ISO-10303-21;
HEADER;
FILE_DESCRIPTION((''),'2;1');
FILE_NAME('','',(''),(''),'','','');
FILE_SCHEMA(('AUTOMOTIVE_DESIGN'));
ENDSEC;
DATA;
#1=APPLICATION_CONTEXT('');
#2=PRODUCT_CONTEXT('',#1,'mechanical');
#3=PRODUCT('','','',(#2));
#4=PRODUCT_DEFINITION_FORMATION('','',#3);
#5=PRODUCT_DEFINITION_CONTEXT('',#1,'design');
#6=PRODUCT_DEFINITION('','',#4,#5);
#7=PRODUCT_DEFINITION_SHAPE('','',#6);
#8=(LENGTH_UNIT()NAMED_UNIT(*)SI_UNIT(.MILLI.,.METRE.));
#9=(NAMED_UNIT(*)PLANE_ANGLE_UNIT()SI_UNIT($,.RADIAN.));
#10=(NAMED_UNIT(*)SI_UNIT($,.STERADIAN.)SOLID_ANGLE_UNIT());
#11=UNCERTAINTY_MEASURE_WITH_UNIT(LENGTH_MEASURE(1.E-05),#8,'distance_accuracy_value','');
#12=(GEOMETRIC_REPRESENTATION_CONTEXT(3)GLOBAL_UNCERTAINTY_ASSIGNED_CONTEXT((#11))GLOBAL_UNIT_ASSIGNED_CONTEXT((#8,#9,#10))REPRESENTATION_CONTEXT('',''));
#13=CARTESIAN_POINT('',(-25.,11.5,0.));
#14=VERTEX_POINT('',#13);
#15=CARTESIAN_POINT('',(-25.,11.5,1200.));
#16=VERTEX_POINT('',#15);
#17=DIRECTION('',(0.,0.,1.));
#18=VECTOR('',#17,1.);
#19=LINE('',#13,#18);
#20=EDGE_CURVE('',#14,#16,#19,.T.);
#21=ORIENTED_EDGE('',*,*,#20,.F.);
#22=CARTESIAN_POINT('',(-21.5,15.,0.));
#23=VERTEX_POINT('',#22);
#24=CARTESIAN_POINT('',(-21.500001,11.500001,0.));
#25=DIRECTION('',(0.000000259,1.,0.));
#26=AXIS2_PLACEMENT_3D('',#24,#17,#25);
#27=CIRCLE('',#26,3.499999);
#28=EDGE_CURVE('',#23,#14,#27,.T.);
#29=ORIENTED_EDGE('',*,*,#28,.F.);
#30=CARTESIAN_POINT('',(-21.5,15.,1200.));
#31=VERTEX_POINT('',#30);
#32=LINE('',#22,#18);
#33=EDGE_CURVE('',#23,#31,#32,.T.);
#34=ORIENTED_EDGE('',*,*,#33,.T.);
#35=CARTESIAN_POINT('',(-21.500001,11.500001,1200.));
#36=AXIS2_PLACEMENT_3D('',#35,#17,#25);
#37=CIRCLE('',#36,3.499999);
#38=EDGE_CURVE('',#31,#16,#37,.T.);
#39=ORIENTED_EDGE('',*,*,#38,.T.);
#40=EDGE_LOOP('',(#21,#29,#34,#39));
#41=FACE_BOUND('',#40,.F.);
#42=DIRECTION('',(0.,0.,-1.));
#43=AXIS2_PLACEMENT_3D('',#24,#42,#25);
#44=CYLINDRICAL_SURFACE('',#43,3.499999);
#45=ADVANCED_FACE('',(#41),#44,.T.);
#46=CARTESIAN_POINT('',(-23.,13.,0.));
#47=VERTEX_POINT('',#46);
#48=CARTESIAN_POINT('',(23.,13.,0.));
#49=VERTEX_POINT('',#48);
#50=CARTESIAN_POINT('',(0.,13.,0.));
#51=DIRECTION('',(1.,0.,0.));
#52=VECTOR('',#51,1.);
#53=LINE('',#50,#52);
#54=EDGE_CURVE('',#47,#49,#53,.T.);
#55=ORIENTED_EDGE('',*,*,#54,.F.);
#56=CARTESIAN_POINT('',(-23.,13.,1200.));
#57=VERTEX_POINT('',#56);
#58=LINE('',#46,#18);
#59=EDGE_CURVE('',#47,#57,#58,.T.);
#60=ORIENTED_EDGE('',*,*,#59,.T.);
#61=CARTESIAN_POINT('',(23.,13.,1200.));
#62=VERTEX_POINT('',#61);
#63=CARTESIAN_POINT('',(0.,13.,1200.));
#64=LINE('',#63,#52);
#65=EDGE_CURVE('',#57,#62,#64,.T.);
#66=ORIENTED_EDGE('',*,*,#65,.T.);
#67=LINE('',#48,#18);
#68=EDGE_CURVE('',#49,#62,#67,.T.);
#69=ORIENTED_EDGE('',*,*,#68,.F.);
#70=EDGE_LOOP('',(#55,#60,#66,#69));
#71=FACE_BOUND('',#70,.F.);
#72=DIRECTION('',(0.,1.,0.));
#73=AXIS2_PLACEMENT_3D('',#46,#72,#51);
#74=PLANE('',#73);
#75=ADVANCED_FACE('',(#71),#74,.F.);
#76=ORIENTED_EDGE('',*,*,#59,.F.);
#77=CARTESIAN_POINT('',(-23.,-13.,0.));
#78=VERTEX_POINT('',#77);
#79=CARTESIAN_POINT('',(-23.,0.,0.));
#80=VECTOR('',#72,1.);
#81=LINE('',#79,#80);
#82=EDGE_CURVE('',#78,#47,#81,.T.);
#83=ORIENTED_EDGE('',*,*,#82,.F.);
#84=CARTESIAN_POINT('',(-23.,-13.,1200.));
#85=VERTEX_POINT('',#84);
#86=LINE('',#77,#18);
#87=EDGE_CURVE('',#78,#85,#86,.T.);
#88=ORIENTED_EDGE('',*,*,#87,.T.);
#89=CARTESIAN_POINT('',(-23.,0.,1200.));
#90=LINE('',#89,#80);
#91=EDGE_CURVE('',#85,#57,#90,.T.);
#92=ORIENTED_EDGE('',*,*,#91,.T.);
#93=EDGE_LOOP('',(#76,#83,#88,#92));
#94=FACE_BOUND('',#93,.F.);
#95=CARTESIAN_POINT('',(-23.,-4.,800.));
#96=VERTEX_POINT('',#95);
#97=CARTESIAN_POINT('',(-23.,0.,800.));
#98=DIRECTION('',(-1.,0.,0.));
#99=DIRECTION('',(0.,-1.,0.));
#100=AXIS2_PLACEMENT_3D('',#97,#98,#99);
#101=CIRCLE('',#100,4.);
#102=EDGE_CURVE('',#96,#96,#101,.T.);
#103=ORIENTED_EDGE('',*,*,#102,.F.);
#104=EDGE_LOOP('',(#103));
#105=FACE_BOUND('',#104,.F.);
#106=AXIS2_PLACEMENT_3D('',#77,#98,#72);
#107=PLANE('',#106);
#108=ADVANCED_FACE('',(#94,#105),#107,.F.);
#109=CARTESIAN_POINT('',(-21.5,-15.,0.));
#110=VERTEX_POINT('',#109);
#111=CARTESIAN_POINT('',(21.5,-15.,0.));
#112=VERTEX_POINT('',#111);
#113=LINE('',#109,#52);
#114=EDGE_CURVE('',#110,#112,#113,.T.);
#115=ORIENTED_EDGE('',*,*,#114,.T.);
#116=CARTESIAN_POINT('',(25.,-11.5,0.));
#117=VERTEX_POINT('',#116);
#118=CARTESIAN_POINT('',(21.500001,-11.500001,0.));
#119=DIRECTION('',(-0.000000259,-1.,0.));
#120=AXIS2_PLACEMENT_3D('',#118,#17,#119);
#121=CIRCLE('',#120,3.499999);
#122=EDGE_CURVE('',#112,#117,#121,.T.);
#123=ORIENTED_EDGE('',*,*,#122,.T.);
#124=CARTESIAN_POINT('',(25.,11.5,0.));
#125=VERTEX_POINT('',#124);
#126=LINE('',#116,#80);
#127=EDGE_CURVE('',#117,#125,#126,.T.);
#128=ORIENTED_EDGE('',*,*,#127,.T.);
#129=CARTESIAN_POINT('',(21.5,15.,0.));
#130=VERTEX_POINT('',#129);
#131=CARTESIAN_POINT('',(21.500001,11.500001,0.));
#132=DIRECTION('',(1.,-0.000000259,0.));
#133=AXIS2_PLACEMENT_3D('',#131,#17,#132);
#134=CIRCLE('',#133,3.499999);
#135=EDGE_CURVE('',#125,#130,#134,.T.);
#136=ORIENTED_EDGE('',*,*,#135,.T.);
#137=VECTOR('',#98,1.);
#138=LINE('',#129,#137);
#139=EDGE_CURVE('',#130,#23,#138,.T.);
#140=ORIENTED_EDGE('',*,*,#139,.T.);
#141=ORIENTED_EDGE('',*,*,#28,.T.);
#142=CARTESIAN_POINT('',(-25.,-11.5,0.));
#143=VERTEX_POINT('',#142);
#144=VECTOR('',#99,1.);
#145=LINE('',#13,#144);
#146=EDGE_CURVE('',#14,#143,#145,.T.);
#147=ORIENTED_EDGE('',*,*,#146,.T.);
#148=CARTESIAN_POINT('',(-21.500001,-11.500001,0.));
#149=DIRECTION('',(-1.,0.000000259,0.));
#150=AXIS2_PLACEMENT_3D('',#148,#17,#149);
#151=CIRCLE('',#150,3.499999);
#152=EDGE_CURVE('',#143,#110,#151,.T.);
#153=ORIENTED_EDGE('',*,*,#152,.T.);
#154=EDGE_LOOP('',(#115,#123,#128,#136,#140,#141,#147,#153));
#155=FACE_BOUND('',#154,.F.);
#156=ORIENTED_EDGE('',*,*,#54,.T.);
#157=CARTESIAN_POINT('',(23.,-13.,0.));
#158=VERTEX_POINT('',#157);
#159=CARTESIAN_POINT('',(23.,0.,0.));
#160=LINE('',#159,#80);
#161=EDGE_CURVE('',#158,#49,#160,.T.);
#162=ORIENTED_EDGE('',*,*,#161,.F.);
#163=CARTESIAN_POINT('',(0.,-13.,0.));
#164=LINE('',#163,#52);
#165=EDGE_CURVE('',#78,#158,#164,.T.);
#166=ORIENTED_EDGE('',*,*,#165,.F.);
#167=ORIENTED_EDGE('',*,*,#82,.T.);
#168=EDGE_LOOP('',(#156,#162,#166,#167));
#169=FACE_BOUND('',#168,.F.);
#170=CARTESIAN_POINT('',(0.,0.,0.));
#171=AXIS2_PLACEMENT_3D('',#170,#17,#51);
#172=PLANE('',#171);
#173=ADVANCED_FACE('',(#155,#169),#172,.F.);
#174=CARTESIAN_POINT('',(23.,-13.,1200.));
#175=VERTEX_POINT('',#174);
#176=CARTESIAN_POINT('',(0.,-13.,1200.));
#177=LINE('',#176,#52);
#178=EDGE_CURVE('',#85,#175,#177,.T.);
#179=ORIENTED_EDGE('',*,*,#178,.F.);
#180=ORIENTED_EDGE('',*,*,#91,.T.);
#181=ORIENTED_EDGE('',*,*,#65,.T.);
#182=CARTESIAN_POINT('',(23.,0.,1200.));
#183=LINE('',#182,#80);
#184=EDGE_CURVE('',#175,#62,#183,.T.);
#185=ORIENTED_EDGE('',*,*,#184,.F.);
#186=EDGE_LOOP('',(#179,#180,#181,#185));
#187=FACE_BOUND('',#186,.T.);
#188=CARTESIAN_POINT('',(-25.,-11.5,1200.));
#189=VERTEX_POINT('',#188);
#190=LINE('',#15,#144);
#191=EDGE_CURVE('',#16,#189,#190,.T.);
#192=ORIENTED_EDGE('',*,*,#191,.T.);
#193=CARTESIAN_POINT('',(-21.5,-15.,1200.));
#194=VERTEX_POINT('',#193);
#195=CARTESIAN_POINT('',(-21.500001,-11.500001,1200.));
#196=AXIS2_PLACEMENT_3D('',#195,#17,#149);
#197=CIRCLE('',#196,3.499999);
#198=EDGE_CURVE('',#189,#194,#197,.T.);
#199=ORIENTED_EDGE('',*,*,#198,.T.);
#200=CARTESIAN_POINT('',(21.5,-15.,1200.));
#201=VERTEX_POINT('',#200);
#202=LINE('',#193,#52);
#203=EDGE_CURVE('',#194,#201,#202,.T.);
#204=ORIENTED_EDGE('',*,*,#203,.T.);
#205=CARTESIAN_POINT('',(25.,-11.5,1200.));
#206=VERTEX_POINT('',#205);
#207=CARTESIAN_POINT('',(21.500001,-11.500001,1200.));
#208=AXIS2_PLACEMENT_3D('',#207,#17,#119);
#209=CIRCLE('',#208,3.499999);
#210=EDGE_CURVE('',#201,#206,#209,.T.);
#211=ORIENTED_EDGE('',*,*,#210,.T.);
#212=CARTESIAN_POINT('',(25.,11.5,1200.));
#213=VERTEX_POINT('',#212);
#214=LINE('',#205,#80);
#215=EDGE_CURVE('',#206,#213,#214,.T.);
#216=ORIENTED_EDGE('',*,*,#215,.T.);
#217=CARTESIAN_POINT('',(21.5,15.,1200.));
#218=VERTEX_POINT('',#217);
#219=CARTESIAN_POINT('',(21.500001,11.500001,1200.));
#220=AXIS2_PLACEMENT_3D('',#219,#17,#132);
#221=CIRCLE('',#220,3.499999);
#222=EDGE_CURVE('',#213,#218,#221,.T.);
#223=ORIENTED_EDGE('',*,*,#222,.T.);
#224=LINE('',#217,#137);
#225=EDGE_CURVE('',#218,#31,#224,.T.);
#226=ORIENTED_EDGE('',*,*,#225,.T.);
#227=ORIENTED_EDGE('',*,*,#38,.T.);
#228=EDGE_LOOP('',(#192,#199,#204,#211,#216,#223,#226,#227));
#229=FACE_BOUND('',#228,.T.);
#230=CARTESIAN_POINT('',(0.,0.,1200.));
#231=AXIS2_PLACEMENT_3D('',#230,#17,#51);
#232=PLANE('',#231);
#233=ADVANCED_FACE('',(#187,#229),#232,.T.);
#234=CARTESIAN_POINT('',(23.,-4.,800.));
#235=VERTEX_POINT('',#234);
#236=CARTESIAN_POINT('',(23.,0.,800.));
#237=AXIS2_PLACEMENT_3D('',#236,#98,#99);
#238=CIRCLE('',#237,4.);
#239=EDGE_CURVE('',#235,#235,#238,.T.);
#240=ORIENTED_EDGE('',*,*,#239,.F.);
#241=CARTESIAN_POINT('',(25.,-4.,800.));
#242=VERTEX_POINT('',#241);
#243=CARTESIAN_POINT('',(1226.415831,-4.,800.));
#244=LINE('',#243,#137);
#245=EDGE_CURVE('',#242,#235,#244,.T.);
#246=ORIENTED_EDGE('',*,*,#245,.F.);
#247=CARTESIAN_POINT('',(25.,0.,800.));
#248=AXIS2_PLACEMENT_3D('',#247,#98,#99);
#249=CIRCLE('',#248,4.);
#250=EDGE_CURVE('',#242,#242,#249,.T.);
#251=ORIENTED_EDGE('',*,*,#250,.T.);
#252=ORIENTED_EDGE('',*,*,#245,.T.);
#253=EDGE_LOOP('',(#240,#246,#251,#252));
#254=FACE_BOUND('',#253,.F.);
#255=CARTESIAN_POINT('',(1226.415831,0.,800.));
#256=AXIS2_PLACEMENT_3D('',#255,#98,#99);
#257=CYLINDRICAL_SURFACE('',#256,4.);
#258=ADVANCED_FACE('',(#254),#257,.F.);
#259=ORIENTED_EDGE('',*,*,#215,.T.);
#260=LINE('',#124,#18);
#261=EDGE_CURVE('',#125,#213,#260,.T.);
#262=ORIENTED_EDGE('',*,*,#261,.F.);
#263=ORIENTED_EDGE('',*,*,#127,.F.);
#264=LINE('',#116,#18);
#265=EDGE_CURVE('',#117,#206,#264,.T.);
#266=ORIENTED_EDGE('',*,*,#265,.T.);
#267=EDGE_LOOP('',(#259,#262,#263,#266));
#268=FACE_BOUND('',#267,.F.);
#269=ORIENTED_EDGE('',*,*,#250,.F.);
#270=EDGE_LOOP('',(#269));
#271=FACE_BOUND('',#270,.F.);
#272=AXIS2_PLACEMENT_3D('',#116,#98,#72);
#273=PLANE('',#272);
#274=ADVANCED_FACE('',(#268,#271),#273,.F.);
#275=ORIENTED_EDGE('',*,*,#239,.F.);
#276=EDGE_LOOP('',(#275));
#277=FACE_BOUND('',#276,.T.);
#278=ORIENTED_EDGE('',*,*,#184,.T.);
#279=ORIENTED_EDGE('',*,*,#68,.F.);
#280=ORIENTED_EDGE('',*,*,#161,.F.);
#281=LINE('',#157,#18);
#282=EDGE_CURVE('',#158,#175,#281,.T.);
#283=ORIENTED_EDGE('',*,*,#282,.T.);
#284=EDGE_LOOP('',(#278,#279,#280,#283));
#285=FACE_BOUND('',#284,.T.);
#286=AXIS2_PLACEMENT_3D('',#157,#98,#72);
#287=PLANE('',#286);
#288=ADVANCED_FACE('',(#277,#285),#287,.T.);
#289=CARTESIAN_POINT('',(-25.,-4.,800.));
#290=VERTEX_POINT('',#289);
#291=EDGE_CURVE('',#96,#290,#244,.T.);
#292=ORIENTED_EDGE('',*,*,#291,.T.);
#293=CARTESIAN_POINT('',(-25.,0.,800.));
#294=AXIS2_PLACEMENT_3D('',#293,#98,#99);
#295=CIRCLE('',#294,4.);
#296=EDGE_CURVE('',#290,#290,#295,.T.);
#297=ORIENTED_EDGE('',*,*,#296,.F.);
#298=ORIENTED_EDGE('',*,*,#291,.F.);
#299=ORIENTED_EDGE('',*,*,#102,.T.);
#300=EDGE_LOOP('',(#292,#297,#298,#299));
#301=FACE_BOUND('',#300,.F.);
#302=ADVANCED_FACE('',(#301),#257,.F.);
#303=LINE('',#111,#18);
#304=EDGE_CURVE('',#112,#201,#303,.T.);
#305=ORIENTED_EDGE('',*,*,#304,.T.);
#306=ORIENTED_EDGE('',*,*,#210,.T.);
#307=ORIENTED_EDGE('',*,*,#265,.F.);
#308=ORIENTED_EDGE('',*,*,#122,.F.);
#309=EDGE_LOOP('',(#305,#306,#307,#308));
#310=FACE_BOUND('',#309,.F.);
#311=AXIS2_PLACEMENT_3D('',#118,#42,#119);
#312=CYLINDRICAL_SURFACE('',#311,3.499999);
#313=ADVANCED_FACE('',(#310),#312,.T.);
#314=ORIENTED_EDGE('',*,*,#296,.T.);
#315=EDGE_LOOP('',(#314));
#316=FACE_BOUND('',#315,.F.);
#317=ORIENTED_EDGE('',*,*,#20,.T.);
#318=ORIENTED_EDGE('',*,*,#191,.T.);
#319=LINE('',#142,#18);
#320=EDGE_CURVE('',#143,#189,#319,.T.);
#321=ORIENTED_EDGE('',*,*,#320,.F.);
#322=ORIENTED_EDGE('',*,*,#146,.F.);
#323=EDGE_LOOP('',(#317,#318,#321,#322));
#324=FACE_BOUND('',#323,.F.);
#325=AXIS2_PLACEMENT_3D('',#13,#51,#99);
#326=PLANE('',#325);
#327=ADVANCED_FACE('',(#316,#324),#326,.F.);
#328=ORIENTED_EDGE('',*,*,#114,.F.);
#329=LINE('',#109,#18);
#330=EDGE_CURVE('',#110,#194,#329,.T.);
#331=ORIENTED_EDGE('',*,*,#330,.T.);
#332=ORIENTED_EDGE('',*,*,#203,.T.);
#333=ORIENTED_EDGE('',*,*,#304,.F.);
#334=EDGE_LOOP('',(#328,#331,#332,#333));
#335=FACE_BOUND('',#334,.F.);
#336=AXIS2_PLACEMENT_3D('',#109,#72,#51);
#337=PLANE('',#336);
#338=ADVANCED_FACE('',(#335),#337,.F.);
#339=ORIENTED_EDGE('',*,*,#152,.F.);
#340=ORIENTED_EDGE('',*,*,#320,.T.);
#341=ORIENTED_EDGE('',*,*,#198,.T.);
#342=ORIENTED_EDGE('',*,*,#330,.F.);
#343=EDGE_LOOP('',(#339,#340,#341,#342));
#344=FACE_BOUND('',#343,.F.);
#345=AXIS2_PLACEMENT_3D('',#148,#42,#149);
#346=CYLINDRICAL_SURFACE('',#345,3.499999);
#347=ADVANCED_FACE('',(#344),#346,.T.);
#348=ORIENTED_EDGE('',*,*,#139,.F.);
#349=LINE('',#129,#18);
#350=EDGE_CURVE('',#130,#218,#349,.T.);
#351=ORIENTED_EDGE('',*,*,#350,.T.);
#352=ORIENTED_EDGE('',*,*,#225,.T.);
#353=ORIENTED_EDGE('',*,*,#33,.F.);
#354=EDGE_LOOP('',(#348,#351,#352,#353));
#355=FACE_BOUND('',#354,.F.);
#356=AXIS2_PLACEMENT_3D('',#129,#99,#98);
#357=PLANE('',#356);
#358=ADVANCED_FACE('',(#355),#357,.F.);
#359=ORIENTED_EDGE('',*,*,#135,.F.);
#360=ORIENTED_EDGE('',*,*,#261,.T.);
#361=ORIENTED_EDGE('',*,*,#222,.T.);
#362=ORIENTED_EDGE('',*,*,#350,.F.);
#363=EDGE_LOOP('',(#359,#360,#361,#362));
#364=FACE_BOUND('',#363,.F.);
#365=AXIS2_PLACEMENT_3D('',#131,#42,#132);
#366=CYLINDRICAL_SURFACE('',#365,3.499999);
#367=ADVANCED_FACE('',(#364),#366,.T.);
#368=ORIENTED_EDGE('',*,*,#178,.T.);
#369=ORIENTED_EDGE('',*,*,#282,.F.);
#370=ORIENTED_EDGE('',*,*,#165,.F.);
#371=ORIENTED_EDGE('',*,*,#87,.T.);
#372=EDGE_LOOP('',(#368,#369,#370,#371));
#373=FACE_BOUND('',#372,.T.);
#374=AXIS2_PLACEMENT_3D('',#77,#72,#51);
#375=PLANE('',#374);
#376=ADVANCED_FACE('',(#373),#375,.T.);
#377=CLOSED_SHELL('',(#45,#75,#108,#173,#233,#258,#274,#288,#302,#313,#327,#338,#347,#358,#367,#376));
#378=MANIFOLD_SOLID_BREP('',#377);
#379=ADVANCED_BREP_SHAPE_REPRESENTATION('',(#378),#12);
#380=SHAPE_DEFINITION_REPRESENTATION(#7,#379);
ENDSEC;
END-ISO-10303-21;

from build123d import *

# Parameters (mm, degrees)
F0_W     = 46
F0_H     = 26
F1_DEPTH = 1200
F3_D     = 8


with BuildPart() as f1:
    # F0 (on Top) → F1 (new body)
    with BuildSketch(Plane.XY):
        with BuildLine():
            ThreePointArc((25, 11.5), (23.974874, 13.974874), (21.5, 15))
            Line((21.5, 15), (-21.5, 15))
            ThreePointArc((-21.5, 15), (-23.974874, 13.974874), (-25, 11.5))
            Line((-25, 11.5), (-25, -11.5))
            ThreePointArc((-25, -11.5), (-23.974874, -13.974874), (-21.5, -15))
            Line((-21.5, -15), (21.5, -15))
            ThreePointArc((21.5, -15), (23.974874, -13.974874), (25, -11.5))
            Line((25, -11.5), (25, 11.5))
        make_face()
        Rectangle(F0_W, F0_H, mode=Mode.SUBTRACT)
    extrude(amount=F1_DEPTH)

    # F3 (through all)
    with Locations(Plane.YZ.offset(25)):
        with Locations((0, 800)):
            Hole(F3_D / 2)


solid = f1.part
